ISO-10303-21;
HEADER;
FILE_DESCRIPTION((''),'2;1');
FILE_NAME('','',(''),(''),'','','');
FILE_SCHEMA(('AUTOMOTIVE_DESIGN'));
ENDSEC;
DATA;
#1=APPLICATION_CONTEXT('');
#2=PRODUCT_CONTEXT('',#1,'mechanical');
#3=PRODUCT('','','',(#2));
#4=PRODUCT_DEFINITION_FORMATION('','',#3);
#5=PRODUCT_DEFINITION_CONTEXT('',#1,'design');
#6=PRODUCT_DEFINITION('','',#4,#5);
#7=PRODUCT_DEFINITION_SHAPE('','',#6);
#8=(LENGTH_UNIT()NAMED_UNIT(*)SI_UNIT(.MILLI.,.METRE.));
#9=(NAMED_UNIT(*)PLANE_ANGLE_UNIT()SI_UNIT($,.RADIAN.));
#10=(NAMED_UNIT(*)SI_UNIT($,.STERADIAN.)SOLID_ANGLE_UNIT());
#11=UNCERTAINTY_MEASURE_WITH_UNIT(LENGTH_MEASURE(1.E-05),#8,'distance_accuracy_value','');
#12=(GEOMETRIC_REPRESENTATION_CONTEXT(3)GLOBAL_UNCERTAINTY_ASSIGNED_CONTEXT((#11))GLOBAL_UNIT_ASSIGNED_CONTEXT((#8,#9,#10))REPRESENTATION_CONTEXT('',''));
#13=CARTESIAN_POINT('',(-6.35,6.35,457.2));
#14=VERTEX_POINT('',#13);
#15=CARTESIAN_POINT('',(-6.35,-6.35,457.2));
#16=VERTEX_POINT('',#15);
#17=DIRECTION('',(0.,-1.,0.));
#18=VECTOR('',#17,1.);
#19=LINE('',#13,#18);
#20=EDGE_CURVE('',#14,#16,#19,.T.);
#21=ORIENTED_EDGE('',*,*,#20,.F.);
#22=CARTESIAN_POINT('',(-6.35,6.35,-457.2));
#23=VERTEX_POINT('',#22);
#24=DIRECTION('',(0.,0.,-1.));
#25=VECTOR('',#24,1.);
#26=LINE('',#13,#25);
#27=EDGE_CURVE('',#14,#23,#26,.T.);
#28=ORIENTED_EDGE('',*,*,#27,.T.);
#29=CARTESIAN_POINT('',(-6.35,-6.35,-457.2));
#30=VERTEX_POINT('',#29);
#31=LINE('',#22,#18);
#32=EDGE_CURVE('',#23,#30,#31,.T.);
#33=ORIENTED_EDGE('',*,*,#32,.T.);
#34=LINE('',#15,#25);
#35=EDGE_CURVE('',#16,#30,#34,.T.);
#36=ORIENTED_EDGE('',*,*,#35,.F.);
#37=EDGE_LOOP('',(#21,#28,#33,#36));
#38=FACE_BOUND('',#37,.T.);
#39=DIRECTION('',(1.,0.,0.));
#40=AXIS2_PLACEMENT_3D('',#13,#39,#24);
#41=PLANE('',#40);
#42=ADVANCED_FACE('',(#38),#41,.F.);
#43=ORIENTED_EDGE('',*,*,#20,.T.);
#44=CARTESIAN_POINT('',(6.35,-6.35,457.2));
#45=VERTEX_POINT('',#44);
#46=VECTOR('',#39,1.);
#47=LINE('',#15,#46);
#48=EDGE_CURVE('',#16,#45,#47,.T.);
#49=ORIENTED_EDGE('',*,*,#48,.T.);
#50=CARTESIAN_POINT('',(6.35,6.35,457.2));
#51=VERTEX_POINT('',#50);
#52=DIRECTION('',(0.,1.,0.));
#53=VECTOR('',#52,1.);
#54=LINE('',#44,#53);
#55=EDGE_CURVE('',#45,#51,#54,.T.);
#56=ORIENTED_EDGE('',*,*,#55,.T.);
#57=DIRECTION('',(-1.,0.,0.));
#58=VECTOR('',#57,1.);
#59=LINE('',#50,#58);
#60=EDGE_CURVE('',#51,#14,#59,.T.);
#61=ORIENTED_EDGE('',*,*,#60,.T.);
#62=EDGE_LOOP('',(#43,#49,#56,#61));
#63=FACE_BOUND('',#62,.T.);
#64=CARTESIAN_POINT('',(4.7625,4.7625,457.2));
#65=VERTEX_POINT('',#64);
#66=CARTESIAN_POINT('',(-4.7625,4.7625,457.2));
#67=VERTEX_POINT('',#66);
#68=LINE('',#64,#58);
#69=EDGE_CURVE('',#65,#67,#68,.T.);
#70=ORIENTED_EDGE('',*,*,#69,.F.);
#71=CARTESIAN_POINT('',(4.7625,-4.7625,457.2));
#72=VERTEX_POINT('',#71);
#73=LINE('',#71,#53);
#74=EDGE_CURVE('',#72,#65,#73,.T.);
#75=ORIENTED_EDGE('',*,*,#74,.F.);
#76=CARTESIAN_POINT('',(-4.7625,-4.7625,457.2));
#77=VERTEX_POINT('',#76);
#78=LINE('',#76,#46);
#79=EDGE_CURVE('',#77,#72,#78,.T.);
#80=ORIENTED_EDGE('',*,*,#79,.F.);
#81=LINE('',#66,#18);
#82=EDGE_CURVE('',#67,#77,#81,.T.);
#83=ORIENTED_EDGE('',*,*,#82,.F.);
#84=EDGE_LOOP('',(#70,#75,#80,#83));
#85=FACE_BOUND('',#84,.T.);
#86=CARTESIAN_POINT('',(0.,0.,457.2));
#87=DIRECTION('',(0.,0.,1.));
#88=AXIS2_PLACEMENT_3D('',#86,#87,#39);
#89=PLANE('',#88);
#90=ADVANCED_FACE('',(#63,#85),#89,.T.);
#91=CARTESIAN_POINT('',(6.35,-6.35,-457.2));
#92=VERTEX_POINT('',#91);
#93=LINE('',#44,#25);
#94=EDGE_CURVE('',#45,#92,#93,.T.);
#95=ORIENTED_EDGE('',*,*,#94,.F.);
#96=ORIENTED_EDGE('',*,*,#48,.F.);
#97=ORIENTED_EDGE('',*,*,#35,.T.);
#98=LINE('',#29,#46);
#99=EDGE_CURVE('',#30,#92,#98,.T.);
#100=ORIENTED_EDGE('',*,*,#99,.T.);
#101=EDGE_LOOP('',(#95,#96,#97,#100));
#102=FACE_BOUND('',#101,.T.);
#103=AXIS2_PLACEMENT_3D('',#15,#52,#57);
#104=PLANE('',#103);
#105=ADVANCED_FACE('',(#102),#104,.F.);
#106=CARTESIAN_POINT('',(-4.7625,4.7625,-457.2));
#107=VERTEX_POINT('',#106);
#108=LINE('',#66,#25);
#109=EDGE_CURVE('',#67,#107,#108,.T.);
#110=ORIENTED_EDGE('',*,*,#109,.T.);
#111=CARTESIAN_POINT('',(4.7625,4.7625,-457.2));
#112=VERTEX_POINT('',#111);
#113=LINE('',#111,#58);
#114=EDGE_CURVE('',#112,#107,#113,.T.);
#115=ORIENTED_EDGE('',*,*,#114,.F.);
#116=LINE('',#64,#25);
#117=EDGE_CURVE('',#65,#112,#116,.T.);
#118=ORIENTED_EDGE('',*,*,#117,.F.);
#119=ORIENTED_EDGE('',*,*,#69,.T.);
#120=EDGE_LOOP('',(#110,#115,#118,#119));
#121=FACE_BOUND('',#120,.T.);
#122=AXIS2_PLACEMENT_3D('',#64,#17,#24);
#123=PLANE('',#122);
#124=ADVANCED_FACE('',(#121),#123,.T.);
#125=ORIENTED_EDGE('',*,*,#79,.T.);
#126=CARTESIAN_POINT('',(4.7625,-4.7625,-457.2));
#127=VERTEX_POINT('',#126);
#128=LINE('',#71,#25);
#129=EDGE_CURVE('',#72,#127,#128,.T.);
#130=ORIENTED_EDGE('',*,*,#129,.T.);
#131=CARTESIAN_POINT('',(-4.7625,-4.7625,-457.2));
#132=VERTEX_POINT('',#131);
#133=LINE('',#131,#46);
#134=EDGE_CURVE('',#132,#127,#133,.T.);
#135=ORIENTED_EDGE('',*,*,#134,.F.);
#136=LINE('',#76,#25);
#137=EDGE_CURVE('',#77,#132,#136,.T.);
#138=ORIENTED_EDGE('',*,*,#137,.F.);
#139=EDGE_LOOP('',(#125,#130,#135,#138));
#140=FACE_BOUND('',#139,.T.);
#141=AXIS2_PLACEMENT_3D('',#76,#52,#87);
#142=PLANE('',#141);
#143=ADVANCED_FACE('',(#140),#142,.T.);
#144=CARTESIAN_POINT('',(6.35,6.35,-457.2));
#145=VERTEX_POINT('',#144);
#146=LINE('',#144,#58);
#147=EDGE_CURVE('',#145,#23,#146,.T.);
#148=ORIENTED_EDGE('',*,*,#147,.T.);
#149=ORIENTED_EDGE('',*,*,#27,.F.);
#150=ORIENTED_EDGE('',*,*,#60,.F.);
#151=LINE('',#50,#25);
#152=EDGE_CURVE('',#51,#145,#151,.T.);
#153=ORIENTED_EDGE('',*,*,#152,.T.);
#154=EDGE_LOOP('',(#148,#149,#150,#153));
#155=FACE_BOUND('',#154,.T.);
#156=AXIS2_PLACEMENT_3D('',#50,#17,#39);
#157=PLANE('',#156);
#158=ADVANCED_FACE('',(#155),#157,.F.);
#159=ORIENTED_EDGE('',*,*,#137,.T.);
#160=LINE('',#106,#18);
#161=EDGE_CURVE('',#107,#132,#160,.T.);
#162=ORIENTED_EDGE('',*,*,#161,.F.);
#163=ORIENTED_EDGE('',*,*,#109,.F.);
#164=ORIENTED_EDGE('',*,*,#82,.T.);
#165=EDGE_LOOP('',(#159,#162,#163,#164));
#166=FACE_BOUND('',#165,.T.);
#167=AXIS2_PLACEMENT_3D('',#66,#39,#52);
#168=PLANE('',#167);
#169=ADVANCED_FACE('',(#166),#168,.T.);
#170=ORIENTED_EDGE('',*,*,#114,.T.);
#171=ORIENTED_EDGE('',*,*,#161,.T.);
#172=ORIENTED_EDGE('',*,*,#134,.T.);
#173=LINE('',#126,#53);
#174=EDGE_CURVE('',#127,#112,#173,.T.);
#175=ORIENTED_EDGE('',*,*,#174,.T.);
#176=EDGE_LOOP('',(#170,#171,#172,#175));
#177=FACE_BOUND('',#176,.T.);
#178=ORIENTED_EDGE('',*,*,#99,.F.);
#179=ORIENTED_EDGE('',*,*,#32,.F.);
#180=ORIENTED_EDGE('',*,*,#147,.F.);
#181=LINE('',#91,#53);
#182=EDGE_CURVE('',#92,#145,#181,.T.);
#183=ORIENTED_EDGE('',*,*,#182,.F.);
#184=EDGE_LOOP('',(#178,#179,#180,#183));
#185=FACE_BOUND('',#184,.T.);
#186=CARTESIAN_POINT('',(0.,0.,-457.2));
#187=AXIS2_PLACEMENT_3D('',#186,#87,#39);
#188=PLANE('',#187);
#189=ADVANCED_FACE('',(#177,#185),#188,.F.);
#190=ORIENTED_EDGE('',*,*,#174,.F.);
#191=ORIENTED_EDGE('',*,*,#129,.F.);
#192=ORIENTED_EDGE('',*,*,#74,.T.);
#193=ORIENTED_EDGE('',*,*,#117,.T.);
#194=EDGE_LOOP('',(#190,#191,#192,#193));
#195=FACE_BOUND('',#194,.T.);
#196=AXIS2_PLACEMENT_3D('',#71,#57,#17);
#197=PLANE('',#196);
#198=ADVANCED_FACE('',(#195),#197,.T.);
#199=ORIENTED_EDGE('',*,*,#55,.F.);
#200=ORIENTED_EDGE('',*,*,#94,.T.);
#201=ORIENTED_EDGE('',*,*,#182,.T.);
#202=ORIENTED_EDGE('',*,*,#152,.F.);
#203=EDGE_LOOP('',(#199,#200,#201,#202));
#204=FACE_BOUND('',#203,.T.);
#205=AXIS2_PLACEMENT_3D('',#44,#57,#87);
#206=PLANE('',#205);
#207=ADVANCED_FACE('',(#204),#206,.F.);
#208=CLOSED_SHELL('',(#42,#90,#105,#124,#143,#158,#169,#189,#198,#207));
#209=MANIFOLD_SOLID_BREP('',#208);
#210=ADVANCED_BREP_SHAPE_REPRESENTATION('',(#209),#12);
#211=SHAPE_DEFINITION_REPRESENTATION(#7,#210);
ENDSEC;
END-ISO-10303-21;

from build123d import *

# Parameters (mm, degrees)
BOSS_EXTRUDE1_DEPTH      = 457.2
BOSS_EXTRUDE1_DEPTH_BACK = 457.2
SKETCH3_W                = 12.7
SKETCH3_H                = 12.7
SKETCH3_W_2              = 9.525
SKETCH3_H_2              = 9.525


with BuildPart() as part:
    # Sketch3 → Boss-Extrude1 (new, two sides: drawn at the far end of the back side and taken through both)
    with BuildSketch(Plane.XY.offset(-BOSS_EXTRUDE1_DEPTH_BACK)):
        Rectangle(SKETCH3_W, SKETCH3_H)
        Rectangle(SKETCH3_W_2, SKETCH3_H_2, mode=Mode.SUBTRACT)
    extrude(amount=BOSS_EXTRUDE1_DEPTH + BOSS_EXTRUDE1_DEPTH_BACK)


solid = part.part
